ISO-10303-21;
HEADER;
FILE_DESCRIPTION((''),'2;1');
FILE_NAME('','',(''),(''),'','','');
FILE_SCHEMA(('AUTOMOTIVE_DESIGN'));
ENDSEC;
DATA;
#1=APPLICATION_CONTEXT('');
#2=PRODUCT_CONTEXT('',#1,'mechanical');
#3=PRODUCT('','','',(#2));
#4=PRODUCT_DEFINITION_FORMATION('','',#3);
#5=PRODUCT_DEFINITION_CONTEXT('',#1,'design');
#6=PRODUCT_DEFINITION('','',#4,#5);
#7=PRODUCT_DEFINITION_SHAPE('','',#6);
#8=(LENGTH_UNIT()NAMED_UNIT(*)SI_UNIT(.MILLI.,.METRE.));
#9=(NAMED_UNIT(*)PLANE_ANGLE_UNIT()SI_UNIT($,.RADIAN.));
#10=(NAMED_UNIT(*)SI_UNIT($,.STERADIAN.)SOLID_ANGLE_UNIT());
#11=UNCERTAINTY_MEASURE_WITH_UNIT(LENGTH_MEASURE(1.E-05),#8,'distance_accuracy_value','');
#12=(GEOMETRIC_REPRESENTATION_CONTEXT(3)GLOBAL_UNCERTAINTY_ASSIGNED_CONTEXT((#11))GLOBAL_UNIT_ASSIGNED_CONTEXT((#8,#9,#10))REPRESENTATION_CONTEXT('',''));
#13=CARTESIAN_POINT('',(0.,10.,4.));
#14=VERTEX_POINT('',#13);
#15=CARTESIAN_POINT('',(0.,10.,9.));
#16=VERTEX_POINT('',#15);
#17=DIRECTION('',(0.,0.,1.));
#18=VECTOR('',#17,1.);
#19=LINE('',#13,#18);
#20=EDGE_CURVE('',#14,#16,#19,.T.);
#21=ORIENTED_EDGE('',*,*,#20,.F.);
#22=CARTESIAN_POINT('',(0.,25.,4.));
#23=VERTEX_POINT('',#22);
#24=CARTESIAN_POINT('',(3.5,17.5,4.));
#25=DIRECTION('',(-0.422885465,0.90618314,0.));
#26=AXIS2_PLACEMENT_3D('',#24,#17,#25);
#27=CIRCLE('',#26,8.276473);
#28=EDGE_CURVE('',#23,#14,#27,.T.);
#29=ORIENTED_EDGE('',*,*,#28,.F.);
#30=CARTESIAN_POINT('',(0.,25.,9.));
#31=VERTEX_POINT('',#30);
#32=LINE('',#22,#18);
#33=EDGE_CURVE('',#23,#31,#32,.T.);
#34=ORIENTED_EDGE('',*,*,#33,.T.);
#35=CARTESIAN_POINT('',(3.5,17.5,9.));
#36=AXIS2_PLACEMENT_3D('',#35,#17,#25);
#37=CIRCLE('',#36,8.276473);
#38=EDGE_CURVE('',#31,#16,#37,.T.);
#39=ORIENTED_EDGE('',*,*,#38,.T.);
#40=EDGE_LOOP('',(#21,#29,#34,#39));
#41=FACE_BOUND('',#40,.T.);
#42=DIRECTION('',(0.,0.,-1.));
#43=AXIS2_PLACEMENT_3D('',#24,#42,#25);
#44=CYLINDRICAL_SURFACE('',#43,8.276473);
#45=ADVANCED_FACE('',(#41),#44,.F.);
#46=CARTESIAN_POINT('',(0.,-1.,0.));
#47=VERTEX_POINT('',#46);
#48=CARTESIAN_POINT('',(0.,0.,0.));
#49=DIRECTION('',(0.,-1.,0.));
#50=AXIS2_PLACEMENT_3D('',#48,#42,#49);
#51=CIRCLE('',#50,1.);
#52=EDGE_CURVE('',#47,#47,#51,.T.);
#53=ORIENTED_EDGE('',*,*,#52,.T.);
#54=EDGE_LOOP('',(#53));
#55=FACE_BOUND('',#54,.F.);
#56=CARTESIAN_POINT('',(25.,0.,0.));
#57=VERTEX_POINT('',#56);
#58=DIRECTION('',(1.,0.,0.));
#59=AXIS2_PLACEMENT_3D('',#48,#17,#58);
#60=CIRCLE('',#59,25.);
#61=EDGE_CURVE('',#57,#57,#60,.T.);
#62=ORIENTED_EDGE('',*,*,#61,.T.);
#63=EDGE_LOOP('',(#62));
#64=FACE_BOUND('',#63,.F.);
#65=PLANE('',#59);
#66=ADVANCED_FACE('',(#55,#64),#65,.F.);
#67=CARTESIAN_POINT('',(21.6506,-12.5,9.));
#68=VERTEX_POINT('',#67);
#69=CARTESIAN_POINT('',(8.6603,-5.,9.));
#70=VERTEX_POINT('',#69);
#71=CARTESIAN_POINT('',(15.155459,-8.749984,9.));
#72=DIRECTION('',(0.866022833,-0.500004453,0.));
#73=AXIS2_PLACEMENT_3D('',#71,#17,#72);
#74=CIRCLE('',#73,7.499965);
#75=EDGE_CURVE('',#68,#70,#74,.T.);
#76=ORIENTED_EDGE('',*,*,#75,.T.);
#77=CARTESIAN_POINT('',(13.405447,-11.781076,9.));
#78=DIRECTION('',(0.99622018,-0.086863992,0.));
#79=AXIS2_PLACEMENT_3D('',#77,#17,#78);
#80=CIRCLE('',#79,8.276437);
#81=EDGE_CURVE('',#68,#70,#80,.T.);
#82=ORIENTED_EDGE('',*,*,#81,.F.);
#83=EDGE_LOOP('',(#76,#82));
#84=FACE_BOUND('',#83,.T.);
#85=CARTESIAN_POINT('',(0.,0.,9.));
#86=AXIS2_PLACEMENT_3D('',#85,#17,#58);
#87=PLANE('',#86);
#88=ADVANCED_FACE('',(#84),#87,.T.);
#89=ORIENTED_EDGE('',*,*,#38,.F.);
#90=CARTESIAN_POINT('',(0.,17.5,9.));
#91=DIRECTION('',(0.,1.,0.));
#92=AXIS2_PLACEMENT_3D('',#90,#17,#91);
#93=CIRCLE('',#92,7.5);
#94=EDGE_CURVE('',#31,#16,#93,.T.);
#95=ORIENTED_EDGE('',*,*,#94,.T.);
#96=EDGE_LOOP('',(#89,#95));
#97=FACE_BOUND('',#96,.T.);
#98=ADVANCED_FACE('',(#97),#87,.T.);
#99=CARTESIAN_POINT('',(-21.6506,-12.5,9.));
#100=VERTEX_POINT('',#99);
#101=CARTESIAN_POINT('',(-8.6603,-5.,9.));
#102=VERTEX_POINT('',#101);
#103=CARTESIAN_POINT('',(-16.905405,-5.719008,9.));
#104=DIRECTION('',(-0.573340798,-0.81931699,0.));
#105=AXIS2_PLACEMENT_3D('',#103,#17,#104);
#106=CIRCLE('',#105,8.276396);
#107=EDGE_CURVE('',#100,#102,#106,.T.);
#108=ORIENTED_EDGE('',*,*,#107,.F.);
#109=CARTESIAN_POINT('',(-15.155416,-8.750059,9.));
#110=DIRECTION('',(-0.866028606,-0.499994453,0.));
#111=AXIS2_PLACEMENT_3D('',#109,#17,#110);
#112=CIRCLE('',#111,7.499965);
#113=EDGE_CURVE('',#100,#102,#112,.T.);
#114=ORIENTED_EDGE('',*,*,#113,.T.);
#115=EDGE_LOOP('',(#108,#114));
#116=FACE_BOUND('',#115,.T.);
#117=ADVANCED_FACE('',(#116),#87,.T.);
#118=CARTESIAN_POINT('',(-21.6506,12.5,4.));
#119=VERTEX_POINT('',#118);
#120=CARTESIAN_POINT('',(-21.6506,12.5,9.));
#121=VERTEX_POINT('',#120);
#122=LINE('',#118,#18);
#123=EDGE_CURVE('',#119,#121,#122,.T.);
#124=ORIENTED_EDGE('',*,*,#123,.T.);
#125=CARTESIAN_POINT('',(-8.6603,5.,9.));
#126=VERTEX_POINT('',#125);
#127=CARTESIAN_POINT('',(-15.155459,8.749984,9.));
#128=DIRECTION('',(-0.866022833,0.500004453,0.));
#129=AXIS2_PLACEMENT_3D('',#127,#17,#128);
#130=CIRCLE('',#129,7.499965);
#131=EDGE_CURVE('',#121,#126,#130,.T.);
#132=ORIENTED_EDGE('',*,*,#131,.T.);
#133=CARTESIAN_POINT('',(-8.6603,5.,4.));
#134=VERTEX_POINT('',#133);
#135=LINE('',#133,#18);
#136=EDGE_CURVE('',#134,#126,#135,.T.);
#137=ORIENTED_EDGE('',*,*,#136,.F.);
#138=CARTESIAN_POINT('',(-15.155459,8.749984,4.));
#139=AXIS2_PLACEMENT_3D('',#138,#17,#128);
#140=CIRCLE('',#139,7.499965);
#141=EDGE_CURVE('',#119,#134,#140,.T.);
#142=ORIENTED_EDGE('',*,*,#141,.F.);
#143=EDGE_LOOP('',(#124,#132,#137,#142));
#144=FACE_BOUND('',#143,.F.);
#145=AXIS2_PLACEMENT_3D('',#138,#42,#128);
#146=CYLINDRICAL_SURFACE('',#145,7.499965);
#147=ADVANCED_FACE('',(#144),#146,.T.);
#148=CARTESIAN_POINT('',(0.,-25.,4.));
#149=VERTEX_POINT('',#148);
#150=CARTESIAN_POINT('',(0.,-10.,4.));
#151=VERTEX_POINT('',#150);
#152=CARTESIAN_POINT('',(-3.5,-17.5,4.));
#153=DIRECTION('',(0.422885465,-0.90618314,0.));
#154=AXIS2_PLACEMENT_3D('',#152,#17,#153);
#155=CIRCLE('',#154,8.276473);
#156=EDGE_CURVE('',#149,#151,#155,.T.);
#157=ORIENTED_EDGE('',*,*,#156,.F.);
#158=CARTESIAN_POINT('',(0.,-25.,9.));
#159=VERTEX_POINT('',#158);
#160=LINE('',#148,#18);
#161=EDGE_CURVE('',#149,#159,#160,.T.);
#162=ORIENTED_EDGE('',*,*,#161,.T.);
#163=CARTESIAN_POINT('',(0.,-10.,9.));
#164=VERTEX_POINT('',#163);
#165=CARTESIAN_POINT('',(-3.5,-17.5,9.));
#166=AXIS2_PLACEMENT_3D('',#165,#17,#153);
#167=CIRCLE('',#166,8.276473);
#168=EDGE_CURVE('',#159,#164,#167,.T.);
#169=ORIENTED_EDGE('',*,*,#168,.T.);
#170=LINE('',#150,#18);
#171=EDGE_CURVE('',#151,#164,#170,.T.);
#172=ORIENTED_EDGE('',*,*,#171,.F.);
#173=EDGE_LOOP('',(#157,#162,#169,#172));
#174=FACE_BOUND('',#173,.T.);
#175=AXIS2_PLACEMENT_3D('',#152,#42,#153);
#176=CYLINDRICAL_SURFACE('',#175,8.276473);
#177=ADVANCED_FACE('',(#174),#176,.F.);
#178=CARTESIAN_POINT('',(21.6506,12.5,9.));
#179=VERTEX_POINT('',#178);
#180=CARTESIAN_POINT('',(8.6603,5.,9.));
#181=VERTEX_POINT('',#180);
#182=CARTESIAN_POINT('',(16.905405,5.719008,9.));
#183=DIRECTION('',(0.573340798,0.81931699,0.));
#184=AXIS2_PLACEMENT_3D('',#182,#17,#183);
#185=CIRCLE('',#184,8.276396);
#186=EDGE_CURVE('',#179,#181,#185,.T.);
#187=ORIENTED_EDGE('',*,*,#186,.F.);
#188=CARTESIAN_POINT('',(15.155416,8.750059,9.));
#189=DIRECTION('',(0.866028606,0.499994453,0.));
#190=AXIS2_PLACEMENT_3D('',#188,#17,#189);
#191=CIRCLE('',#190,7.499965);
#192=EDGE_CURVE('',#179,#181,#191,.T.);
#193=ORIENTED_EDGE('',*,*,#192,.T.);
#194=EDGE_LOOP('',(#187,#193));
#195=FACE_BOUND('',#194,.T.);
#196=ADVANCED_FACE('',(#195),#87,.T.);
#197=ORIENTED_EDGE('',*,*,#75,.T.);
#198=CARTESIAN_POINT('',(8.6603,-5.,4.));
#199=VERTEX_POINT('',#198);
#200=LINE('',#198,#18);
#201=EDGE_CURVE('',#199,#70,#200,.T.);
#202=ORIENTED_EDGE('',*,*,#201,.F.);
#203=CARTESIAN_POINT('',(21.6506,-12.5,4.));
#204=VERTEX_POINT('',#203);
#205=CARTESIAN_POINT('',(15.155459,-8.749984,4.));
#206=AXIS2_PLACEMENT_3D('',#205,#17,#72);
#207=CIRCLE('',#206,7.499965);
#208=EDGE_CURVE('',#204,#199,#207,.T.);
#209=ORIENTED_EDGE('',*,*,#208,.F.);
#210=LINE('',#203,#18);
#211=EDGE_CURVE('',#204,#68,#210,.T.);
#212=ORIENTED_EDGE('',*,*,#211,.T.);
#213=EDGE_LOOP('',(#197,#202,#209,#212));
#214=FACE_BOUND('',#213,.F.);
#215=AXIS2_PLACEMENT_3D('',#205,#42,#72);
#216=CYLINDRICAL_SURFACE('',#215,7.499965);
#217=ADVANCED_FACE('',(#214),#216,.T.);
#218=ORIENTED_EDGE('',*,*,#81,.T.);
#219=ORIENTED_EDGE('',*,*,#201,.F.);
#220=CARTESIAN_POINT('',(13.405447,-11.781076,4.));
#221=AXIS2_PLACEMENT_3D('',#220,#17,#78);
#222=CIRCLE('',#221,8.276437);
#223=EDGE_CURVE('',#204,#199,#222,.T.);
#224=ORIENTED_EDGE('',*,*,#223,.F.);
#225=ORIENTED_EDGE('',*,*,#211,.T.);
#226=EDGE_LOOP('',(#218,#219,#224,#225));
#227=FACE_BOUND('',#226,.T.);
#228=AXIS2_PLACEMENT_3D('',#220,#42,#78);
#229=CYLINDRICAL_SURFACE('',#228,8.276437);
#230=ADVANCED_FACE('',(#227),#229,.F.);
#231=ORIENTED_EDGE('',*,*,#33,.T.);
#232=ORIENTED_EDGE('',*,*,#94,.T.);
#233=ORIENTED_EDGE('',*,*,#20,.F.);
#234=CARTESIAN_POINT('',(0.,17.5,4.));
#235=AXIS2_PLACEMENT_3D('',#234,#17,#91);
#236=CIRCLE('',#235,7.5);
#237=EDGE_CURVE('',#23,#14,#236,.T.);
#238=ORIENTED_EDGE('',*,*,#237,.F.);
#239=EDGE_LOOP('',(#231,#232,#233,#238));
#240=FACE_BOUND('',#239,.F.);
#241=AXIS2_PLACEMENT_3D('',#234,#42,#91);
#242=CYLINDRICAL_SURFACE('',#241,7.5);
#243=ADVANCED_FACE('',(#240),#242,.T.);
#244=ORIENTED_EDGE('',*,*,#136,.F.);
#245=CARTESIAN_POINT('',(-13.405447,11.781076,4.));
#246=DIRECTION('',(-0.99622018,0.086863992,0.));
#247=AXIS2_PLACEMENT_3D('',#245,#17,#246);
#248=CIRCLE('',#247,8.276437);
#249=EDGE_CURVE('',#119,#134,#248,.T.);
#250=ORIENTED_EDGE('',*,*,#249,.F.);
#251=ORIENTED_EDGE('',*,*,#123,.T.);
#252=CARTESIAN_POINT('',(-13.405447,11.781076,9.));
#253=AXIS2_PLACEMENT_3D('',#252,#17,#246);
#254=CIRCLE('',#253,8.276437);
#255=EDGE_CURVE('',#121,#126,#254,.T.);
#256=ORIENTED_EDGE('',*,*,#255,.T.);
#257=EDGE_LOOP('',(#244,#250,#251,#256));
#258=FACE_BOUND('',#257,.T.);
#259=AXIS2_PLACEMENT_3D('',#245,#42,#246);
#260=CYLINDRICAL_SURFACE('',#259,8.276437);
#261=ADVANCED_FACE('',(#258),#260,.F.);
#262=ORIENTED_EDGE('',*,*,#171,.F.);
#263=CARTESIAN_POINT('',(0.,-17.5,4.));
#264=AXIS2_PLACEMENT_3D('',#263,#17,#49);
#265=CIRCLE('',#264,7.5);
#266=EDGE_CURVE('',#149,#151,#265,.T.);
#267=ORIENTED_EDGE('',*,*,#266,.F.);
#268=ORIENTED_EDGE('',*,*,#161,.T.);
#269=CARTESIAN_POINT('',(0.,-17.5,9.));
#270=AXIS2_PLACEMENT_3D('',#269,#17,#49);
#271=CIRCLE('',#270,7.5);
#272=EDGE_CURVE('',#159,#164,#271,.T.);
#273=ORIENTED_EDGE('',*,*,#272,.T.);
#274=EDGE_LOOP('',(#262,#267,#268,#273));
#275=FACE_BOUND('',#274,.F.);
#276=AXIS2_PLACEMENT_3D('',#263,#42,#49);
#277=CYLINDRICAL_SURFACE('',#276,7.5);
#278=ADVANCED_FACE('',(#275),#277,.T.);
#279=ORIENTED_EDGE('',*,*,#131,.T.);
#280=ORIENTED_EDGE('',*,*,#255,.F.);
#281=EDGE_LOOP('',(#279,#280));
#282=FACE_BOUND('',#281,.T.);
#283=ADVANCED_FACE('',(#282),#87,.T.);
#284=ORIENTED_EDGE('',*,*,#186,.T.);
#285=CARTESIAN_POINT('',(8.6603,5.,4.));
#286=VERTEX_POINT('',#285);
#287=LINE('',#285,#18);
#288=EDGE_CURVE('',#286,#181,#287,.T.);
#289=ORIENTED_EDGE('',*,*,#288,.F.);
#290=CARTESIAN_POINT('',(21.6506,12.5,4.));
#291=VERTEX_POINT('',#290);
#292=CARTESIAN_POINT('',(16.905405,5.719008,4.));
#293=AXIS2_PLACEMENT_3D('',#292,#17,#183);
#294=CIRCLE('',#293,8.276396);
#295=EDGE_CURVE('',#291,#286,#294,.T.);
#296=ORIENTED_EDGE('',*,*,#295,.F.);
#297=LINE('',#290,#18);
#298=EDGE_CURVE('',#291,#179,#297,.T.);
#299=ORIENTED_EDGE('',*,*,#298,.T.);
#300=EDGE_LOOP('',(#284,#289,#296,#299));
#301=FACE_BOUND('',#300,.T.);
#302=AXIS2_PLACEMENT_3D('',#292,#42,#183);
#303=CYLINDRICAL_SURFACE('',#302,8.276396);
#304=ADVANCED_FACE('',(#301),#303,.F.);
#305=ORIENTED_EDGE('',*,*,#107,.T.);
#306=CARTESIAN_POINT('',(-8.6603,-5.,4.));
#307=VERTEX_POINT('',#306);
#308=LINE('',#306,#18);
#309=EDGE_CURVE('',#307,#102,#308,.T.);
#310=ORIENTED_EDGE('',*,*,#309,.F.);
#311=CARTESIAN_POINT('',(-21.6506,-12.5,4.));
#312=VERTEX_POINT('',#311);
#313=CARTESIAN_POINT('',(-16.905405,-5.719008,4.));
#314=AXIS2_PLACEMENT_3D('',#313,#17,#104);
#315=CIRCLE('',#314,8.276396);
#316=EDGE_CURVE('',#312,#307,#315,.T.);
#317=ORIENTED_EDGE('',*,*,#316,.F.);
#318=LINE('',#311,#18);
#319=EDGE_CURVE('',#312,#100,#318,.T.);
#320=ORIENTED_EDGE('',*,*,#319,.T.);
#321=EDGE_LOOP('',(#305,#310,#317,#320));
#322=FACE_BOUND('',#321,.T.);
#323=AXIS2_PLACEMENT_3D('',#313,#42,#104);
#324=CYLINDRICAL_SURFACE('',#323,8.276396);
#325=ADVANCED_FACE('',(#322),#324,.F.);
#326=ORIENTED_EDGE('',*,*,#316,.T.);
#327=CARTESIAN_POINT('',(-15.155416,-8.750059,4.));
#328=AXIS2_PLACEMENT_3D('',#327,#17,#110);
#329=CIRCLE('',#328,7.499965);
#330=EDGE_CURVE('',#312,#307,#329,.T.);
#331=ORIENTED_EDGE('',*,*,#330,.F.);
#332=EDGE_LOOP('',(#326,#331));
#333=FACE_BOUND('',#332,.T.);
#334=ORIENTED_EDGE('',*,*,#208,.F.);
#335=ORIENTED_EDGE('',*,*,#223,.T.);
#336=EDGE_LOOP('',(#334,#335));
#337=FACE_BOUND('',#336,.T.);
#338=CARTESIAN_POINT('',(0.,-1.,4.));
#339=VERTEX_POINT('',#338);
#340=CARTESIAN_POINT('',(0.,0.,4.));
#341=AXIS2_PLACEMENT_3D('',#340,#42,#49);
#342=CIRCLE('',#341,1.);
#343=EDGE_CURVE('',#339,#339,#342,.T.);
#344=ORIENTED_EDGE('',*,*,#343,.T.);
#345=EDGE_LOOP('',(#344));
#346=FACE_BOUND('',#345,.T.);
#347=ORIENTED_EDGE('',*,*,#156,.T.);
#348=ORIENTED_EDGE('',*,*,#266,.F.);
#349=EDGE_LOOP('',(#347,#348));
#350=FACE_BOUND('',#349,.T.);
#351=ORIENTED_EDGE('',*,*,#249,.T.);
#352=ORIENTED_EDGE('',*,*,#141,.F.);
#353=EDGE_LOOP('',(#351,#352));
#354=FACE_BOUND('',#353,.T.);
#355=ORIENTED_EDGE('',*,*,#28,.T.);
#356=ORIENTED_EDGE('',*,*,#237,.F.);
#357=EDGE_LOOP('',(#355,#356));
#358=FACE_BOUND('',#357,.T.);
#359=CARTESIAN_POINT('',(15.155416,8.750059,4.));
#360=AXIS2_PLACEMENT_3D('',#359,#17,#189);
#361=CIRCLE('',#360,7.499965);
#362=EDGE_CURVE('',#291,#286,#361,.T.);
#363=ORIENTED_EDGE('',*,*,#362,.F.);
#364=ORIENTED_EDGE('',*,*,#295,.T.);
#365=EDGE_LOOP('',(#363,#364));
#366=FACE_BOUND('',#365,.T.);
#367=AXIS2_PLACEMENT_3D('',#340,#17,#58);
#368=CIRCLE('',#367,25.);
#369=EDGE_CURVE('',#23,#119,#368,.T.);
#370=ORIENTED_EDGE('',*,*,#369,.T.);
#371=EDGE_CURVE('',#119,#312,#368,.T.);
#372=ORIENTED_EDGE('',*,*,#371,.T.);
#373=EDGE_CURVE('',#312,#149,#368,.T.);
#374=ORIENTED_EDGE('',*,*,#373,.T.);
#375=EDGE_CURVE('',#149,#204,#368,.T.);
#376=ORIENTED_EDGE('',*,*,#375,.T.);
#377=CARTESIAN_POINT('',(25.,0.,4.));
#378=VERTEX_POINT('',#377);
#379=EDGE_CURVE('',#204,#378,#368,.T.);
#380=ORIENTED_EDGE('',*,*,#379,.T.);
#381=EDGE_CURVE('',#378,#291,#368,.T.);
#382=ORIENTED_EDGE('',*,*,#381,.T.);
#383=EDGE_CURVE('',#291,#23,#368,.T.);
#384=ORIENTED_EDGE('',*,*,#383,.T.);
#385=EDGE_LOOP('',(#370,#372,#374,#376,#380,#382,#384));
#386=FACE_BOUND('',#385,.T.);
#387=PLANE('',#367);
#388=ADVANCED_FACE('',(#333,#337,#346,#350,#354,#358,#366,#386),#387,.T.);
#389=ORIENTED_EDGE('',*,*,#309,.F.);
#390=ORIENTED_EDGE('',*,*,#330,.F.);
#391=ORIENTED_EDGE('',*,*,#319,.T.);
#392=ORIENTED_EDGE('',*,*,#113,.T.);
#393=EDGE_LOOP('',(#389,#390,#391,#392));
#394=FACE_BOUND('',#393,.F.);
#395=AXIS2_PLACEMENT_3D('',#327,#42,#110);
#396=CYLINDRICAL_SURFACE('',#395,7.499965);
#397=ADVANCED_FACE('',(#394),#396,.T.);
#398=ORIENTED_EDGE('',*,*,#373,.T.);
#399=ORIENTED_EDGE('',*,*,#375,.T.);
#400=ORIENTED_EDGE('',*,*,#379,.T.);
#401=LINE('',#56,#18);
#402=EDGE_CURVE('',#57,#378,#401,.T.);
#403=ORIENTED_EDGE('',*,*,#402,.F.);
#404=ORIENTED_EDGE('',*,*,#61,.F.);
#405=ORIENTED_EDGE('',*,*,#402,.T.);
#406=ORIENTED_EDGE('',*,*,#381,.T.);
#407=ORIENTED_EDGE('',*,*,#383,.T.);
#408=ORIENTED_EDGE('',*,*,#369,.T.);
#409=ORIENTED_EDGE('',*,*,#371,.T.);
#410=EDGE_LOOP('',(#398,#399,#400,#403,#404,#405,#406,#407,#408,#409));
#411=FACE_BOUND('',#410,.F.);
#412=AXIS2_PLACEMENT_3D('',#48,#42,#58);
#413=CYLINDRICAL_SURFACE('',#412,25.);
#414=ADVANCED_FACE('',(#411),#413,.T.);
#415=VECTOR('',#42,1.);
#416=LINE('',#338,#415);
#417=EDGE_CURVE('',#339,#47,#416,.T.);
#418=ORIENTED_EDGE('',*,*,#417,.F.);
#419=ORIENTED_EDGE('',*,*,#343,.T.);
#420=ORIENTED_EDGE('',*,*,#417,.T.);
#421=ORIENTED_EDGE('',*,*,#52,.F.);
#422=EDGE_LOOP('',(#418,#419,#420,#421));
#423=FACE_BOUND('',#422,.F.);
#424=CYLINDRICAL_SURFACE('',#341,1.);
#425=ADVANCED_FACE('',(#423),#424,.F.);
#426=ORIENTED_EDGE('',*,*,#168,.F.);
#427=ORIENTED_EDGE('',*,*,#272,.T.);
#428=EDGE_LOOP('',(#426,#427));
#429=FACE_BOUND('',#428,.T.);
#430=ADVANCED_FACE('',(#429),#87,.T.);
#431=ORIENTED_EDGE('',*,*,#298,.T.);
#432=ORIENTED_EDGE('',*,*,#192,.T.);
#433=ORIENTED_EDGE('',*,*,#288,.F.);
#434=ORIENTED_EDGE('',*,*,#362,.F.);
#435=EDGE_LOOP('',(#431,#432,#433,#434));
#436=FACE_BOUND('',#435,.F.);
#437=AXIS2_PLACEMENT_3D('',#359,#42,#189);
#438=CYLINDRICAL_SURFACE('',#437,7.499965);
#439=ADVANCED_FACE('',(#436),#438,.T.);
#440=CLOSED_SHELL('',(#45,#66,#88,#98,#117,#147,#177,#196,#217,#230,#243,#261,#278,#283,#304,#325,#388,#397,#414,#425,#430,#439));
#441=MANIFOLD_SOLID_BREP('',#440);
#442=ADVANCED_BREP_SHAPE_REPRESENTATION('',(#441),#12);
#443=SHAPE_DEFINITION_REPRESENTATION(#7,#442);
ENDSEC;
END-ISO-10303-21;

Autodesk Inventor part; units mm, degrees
ref_plane "YZ Plane" through (0, 0, 0) normal (1, 0, 0) x (0, 1, 0)
ref_plane "XZ Plane" through (0, 0, 0) normal (0, 1, 0) x (-1, 0, 0)
ref_plane "XY Plane" through (0, 0, 0) normal (0, 0, 1) x (1, 0, 0)
sketch "スケッチ1" plane through (0, 0, 0) normal (0, 0, 1) x (1, 0, 0)
  circle A0 centre (0, 0) radius 25
  dimension "d0" = 50
extrude "押し出し1" add sketch "スケッチ1" along normal blind 4
sketch "スケッチ2" plane through (0, 0, 4) normal (0, 0, 1) x (1, 0, 0)
  circle A0 centre (0, 0) radius 10
  circle A1 centre (0, 0) radius 25 projected
  arc A2 (0, 25) -> (0, 10) centre (0, 17.5) ccw
  arc A3 (0, 25) -> (0, 10) centre (3.5, 17.5) ccw
  arc A4 (-21.6506, 12.5) -> (-8.6603, 5) centre (-15.1554, 8.75) ccw
  arc A5 (-21.6506, 12.5) -> (-8.6603, 5) centre (-13.4054, 11.7811) ccw
  arc A6 (-21.6506, -12.5) -> (-8.6603, -5) centre (-15.1554, -8.75) ccw
  arc A7 (-21.6506, -12.5) -> (-8.6603, -5) centre (-16.9054, -5.7189) ccw
  arc A8 (0, -25) -> (0, -10) centre (0, -17.5) ccw
  arc A9 (0, -25) -> (0, -10) centre (-3.5, -17.5) ccw
  arc A10 (21.6506, -12.5) -> (8.6603, -5) centre (15.1554, -8.75) ccw
  arc A11 (21.6506, -12.5) -> (8.6603, -5) centre (13.4054, -11.7811) ccw
  arc A12 (21.6506, 12.5) -> (8.6603, 5) centre (15.1554, 8.75) ccw
  arc A13 (21.6506, 12.5) -> (8.6603, 5) centre (16.9054, 5.7189) ccw
  dimension "d3" = 20
  dimension "d4" = 3.5
  dimension "d7" = 360
extrude "押し出し2" add sketch "スケッチ2" along normal blind 5 contours A12 A13 | A10 A11 | A2 A3 | A8 A9 | A4 A5 | A6 A7
sketch "スケッチ3" plane through (0, 0, 4) normal (0, 0, 1) x (1, 0, 0)
  point P0 (0, 0)
  point P1 (0, 0)
hole "穴1" at (0, 0, 4) direction (0, 0, -1) diameter 2 depth 8.8 tip angle 118
properties part number "20220626_fan"
